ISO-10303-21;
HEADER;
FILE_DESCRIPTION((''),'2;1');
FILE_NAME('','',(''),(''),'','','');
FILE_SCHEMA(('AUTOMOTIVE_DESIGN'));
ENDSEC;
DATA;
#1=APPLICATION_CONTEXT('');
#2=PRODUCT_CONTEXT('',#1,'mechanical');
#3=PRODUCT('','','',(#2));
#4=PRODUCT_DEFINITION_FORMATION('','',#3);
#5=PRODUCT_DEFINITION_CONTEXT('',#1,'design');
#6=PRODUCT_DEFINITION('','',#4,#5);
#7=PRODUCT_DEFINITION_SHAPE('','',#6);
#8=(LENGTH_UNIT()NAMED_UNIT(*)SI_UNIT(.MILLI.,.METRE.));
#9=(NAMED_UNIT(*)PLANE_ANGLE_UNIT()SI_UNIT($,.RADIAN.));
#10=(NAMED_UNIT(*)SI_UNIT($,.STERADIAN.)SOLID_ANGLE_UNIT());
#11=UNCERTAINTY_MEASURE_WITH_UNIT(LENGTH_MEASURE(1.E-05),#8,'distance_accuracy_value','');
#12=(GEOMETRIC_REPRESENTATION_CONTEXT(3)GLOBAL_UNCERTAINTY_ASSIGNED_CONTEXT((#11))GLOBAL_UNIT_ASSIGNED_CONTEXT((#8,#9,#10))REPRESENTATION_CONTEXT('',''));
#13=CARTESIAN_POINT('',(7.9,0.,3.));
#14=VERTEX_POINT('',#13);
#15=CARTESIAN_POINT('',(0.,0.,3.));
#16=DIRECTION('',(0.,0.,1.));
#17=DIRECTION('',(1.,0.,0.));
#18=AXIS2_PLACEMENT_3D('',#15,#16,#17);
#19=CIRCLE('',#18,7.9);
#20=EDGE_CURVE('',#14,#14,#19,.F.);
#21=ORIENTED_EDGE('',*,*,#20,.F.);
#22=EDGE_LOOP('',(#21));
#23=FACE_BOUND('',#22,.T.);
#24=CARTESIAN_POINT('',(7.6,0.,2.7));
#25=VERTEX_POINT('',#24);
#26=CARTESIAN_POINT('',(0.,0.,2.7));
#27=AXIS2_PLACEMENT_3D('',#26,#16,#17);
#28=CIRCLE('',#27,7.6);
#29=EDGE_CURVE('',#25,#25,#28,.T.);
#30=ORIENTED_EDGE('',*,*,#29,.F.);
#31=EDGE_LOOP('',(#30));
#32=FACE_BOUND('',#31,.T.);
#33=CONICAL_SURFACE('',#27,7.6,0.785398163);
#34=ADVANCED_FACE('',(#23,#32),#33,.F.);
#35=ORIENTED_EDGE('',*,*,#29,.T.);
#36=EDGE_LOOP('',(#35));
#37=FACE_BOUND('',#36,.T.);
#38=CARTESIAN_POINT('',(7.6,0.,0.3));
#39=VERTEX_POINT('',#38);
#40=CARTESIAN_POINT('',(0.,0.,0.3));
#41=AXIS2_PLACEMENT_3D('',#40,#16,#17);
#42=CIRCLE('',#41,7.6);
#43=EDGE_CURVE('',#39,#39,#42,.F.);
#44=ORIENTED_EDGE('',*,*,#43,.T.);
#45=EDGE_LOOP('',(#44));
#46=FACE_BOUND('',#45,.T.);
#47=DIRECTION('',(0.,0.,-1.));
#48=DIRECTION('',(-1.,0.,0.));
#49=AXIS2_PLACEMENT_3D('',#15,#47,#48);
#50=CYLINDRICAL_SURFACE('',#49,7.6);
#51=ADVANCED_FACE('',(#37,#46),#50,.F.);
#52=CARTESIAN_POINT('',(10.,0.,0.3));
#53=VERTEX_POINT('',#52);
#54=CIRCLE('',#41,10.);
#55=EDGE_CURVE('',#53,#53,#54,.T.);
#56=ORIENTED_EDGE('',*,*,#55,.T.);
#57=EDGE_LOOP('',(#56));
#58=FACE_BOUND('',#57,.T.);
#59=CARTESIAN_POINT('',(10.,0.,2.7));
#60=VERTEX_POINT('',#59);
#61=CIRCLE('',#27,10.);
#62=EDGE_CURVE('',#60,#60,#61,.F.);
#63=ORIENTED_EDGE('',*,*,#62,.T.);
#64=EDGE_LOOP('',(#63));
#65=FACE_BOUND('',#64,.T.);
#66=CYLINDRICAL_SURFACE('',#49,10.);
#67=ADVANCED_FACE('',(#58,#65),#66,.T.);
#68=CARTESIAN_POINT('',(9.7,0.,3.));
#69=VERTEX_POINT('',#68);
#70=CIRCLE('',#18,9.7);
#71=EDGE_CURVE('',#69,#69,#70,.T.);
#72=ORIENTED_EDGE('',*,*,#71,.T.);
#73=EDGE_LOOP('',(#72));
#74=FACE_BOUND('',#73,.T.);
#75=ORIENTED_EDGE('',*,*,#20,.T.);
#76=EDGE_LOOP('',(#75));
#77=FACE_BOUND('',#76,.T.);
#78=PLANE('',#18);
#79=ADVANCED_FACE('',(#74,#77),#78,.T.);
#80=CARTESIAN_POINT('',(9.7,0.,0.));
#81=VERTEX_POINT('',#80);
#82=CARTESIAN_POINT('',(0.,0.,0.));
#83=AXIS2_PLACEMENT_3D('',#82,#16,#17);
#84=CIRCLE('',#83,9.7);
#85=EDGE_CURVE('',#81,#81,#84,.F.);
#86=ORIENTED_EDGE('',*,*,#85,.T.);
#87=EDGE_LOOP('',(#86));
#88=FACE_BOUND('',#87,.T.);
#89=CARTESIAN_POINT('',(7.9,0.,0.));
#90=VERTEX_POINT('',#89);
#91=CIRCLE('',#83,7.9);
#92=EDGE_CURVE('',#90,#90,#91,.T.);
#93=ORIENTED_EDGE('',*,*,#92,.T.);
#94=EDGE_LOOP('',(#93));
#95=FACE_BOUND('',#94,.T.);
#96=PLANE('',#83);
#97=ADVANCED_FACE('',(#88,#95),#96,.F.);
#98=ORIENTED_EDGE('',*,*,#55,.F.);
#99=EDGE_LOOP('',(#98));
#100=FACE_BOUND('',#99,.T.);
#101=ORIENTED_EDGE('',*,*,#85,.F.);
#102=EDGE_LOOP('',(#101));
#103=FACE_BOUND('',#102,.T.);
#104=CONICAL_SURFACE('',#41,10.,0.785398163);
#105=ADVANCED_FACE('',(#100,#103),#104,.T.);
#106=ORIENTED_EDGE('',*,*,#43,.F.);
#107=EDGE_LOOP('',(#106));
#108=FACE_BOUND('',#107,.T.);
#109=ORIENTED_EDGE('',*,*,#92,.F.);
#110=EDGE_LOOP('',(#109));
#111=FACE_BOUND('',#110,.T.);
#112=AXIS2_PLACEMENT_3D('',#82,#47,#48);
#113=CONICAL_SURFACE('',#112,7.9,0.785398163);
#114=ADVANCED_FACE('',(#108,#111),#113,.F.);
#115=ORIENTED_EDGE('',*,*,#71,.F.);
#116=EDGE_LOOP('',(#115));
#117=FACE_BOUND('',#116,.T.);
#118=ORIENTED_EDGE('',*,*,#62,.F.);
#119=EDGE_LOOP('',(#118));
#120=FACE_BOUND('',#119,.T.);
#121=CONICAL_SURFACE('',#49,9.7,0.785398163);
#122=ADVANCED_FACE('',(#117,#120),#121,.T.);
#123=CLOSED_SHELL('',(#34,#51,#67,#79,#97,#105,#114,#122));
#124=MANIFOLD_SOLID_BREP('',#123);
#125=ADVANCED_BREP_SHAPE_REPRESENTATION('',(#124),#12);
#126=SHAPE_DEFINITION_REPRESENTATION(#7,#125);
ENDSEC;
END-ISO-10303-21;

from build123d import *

# Parameters (mm, degrees)
SKETCH_1_R      = 10
SKETCH_1_R_2    = 7.6
EXTRUDE_1_DEPTH = 3
CHAMFER_1_SIZE  = 0.3


with BuildPart() as part:
    # 草图1 → 凸台-拉伸1 (new body)
    with BuildSketch(Plane.XY):
        Circle(SKETCH_1_R)
        Circle(SKETCH_1_R_2, mode=Mode.SUBTRACT)
    extrude(amount=EXTRUDE_1_DEPTH)

    # 倒角1
    chamfer_1_edges = [part.edges().sort_by_distance(p)[0] for p in [
        (-10, 0, 0),
        (-10, 0, 3),
        (-7.6, 0, 0),
        (-7.6, 0, 3),
    ]]
    chamfer(chamfer_1_edges, length=CHAMFER_1_SIZE)


solid = part.part
